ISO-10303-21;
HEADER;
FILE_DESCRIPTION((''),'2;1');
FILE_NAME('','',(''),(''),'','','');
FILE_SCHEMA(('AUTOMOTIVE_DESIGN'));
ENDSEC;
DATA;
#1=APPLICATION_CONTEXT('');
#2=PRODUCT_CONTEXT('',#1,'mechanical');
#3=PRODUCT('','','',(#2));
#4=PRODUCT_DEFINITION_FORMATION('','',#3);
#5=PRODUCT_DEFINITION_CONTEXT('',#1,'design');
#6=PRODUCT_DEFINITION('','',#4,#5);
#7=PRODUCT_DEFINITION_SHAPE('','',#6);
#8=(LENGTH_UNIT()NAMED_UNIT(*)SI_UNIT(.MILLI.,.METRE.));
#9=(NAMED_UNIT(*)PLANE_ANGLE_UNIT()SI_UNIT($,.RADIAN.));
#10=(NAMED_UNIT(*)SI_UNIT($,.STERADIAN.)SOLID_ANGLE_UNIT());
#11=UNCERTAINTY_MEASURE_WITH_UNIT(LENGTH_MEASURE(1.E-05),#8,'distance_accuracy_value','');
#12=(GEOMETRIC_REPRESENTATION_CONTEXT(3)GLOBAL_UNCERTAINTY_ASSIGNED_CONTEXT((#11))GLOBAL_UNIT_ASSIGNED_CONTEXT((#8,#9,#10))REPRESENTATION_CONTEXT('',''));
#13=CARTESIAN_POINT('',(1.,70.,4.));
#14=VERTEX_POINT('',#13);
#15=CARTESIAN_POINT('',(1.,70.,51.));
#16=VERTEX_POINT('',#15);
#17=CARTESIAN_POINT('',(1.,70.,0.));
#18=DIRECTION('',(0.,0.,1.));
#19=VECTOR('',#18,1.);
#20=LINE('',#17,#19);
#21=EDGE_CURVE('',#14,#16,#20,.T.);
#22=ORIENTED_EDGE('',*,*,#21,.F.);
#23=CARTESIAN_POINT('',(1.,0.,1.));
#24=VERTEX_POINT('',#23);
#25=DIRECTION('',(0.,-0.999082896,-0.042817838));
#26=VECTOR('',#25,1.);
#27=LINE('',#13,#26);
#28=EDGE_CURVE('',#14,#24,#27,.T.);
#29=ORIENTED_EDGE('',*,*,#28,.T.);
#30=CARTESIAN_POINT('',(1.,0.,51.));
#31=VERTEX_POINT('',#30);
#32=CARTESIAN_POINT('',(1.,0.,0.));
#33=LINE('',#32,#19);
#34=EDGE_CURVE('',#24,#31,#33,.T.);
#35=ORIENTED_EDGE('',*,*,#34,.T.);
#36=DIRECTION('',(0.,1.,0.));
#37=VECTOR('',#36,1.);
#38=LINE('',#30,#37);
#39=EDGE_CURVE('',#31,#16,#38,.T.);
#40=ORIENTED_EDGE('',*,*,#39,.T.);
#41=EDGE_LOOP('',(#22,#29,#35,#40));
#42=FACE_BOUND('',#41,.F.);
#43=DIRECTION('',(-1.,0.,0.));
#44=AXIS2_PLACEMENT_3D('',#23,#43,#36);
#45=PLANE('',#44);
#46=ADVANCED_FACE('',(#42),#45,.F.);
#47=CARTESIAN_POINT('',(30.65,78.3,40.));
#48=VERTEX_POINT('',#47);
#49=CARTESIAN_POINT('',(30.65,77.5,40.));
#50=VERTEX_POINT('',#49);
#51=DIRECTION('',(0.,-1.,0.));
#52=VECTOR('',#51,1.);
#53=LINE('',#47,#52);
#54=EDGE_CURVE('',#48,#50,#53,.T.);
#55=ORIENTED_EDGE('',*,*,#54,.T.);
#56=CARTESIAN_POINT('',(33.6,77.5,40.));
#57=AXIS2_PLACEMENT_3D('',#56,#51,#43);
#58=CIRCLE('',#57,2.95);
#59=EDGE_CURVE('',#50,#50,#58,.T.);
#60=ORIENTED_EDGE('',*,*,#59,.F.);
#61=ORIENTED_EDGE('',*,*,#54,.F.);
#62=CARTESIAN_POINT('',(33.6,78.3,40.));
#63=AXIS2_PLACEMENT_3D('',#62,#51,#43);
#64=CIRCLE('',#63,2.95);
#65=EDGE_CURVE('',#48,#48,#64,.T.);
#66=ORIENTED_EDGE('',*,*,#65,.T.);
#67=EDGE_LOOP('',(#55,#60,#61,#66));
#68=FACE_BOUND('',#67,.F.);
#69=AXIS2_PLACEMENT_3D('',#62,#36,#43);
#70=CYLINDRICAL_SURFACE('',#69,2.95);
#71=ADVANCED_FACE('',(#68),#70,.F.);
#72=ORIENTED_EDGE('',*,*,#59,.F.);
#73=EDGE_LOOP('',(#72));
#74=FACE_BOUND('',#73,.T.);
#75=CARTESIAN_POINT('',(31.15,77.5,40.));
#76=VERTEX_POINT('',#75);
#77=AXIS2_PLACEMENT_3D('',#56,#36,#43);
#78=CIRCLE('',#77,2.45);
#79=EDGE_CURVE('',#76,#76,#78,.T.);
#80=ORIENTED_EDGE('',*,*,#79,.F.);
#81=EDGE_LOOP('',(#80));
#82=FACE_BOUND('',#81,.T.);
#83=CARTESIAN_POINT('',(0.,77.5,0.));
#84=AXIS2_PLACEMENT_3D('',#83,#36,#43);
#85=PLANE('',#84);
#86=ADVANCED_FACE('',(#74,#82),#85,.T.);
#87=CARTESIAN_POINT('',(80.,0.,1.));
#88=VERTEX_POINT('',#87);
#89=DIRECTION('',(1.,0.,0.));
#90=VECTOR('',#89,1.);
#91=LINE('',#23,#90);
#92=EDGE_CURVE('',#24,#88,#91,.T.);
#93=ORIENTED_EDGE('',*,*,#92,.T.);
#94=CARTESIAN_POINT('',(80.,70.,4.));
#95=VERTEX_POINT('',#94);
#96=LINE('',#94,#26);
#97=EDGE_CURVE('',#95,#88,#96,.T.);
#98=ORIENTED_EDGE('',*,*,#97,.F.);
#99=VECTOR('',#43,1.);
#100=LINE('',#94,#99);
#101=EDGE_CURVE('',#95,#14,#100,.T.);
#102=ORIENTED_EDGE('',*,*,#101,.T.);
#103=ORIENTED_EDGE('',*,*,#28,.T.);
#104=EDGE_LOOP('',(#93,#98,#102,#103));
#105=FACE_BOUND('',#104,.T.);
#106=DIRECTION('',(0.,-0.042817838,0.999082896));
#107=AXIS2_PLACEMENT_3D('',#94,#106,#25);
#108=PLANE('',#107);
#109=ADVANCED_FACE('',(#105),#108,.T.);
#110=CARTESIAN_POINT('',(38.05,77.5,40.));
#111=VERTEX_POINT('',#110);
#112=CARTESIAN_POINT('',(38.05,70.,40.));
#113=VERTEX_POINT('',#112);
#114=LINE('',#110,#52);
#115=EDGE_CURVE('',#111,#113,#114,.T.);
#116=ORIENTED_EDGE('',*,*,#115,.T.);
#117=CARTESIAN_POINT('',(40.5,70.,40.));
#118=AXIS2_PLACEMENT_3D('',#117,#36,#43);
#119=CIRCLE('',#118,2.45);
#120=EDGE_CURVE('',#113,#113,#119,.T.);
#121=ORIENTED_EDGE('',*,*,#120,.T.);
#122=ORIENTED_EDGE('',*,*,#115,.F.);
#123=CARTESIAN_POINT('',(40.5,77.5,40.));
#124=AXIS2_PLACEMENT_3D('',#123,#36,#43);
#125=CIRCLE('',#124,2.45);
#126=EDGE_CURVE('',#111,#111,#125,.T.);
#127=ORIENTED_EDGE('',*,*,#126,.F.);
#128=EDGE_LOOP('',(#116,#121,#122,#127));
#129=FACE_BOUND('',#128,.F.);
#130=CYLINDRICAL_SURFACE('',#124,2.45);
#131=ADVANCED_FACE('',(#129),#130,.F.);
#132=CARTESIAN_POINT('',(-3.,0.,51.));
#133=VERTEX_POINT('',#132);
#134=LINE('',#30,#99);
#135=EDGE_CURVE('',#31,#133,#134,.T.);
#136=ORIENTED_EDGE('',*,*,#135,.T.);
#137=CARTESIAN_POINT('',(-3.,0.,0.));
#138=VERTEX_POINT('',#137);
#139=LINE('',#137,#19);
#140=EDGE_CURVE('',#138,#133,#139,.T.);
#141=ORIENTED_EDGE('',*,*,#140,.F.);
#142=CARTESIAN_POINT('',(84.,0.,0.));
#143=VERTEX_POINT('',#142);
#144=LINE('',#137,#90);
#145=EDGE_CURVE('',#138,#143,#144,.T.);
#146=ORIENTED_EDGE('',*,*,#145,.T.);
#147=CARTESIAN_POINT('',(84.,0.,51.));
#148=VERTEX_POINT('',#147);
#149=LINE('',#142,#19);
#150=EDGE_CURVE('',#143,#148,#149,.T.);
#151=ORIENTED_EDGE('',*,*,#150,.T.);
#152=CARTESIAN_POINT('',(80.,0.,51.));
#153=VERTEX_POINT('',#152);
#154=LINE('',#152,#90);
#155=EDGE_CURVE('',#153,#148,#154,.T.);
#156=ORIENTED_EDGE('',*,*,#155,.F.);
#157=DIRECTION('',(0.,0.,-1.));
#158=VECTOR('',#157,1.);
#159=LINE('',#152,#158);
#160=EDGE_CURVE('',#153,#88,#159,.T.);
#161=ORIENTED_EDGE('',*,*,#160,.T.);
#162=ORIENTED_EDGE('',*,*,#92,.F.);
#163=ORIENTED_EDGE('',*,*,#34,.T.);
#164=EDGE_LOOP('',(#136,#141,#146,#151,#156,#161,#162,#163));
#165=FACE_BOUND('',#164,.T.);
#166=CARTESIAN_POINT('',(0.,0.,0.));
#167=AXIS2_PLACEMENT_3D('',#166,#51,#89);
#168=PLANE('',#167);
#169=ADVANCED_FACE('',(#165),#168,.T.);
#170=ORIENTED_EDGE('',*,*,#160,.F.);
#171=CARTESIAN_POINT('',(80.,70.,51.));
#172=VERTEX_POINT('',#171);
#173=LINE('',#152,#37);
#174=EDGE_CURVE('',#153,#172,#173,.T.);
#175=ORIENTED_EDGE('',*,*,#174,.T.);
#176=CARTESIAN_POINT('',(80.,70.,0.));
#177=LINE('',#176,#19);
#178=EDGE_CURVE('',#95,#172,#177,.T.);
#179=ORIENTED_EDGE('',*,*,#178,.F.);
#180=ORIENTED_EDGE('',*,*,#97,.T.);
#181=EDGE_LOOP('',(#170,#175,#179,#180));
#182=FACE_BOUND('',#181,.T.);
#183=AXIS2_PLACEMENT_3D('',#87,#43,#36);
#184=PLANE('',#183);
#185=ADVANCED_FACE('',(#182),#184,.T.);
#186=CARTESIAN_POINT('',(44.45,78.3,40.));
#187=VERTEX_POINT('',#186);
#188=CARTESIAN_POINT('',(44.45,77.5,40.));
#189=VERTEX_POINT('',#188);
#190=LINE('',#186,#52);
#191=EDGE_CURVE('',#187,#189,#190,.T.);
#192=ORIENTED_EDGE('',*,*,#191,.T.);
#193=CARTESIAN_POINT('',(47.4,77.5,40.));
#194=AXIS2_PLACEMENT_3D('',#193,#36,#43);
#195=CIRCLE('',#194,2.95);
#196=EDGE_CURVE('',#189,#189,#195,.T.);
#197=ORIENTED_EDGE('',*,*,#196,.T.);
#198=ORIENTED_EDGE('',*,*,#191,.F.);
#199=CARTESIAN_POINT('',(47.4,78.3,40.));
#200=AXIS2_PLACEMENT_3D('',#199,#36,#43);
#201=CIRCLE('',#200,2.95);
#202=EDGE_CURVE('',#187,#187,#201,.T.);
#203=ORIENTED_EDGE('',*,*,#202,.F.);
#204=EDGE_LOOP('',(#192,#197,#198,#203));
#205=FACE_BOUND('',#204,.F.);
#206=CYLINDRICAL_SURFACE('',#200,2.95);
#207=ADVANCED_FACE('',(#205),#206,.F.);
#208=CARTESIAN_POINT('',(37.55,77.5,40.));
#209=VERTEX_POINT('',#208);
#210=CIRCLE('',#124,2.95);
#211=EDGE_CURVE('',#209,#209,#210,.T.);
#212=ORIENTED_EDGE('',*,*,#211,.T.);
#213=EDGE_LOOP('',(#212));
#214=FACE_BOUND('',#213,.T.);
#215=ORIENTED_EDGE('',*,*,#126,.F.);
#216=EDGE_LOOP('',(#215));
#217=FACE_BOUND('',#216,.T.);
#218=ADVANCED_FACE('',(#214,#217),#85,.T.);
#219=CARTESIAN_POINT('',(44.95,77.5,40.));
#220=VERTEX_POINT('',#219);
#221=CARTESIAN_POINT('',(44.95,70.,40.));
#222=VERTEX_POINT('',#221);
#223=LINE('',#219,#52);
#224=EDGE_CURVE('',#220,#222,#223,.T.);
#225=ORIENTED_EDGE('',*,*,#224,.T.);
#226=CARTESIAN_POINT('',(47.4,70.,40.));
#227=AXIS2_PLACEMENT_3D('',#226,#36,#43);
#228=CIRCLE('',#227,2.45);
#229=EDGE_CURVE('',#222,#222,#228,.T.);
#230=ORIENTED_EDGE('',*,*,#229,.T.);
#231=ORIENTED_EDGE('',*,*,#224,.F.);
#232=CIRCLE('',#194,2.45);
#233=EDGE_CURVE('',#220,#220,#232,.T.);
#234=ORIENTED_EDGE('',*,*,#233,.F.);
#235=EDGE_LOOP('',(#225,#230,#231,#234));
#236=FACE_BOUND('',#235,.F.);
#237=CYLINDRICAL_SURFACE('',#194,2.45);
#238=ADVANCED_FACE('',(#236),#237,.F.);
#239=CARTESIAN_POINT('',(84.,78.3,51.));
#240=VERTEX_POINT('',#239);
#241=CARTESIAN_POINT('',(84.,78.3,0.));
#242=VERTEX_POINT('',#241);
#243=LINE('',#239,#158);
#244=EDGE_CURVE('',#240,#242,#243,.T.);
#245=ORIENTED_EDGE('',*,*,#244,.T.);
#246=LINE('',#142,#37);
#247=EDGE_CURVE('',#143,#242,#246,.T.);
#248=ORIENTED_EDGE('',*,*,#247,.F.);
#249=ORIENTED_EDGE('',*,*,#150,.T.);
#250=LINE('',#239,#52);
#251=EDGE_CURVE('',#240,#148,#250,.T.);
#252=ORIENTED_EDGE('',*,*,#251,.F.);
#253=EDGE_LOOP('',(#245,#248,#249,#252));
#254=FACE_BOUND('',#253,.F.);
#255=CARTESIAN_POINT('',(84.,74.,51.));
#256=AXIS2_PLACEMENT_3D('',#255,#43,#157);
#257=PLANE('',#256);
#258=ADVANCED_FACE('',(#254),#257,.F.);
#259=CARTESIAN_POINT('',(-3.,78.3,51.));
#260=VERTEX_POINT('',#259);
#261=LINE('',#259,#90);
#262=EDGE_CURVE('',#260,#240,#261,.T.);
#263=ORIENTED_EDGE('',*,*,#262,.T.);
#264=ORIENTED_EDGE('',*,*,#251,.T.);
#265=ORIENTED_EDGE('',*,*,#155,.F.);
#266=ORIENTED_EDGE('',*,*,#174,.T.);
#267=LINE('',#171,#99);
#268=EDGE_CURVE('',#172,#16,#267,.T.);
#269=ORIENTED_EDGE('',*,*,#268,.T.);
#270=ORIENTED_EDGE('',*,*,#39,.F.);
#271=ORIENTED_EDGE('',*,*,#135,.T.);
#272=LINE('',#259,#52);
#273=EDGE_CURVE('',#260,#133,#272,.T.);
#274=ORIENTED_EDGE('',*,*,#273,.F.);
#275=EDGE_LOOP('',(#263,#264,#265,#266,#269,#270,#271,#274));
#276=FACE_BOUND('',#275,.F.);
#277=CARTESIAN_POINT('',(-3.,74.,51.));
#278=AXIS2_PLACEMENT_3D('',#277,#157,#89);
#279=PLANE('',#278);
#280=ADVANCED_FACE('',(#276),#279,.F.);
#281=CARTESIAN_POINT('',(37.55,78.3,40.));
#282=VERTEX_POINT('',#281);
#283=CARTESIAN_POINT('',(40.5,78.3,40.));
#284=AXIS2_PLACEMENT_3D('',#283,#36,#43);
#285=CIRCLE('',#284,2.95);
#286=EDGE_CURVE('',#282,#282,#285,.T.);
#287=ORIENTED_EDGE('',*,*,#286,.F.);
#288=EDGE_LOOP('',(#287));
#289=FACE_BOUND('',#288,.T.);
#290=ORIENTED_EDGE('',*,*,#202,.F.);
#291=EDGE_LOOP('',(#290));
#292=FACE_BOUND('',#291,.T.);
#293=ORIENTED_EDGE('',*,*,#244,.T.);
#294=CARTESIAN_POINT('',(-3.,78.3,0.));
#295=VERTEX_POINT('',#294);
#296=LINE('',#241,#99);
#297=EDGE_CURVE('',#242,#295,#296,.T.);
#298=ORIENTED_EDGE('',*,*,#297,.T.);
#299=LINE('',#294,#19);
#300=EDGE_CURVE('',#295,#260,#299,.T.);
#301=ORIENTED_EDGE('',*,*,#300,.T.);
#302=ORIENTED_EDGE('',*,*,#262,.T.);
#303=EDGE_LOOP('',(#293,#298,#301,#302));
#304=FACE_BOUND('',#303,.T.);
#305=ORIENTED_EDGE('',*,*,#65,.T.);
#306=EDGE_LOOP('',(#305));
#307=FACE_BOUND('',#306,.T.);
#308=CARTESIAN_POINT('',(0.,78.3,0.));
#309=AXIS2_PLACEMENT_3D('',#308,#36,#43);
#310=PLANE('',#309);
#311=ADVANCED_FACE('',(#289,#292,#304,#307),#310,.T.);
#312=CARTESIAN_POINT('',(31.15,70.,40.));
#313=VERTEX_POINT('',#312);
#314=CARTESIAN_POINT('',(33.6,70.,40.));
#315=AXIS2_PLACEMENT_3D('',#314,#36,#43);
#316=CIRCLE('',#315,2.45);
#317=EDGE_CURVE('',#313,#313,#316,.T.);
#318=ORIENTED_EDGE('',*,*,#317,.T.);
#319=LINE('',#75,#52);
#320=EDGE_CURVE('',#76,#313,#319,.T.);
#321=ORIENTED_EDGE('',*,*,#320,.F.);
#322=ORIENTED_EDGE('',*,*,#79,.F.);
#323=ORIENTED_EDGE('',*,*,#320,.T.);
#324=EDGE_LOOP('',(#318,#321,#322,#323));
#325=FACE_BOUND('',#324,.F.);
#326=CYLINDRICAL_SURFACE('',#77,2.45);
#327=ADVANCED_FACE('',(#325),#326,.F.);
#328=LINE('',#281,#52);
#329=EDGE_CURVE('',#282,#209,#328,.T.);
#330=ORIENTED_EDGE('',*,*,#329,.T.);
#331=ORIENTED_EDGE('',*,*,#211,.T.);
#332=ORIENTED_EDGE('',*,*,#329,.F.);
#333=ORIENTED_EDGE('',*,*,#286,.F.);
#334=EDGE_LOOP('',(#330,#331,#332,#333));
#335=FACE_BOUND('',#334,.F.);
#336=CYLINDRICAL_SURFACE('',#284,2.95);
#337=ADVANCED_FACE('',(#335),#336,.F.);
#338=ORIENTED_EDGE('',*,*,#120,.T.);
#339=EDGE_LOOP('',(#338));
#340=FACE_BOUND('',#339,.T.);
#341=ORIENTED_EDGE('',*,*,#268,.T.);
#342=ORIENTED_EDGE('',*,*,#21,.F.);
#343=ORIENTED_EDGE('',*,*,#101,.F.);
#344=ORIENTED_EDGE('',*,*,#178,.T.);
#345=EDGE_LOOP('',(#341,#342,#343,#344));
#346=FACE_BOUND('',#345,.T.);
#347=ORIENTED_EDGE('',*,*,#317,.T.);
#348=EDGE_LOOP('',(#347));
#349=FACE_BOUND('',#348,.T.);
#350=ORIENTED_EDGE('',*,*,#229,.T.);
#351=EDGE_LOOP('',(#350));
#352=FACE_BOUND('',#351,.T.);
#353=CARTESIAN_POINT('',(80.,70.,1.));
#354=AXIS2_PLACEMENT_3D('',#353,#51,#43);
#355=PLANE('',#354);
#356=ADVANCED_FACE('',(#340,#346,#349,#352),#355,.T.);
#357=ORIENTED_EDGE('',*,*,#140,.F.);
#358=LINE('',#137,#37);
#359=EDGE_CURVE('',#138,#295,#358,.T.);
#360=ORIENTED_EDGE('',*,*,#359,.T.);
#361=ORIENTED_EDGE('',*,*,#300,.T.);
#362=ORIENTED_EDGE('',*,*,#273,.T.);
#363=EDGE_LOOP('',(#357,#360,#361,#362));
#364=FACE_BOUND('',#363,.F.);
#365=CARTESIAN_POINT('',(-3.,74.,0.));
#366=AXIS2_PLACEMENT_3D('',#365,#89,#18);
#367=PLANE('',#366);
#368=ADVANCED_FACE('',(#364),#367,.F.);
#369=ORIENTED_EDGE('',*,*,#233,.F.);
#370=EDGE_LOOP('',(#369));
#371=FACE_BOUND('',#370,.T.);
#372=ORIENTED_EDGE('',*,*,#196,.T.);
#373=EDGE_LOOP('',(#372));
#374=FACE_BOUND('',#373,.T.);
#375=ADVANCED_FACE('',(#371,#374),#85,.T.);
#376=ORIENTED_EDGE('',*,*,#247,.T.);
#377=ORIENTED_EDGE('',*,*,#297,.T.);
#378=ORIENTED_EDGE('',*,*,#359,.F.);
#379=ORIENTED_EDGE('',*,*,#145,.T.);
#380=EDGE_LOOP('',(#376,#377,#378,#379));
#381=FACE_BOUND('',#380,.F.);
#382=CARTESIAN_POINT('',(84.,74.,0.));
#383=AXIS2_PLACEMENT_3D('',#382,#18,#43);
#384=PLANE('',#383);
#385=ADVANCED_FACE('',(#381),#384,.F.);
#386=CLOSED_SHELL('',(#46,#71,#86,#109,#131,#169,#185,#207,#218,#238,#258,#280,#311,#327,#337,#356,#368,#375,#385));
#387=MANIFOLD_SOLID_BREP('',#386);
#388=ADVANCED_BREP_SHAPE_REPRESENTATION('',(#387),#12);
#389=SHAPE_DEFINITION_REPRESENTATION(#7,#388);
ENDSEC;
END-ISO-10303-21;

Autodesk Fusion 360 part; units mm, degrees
sketch "Sketch1" plane through (0, 0, 0) normal (0, 0, 1) x (1, 0, 0)
  line L0 (0, 0) -> (81, 0)
  line L1 (81, 0) -> (81, 71)
  line L2 (81, 71) -> (0, 71)
  line L3 (0, 71) -> (0, 0)
  dimension "d1" = 81
  dimension "d2" = 71
extrude "Extrude1" add sketch "Sketch1" along normal blind 1
sketch "Sketch2" plane through (0, 0, 0) normal (1, 0, 0) x (0, 1, 0)
sketch "Sketch3" plane through (0, 0, 1) normal (0, 0, 1) x (-1, 0, 0)
  line L0 (0, -71) -> (0, 0)
  line L1 (0, 0) -> (-81, 0)
  line L2 (-81, 0) -> (-81, -71)
  line L3 (-81, -71) -> (0, -71)
  line L4 (0, -71) -> (-1, -71)
  line L5 (-1, -71) -> (-1, 0)
  line L6 (-1, 0) -> (0, 0)
  line L7 (0, 0) -> (0, -71)
  line L8 (-81, -71) -> (-80, -71)
  line L9 (-80, -71) -> (-80, 0)
  line L10 (-80, 0) -> (-81, 0)
  line L11 (-81, 0) -> (-81, -71)
  line L12 (-1, -71) -> (-80, -71)
  line L13 (-80, -71) -> (-80, -70)
  line L14 (-80, -70) -> (-1, -70)
  line L15 (-1, -70) -> (-1, -71)
  dimension "d5" = 1
  dimension "d6" = 1
  dimension "d7" = 1
extrude "Extrude2" add sketch "Sketch3" along normal blind 50 contours L3 L5 L9 L12 L13 L14 L15
sketch "Sketch4" plane through (0, 0, 1) normal (0, 0, 1) x (-1, 0, 0)
  line L0 (-80, -71) -> (-80, -70)
  line L1 (-80, -70) -> (-1, -70)
  line L2 (-1, -70) -> (-1, -71)
  line L3 (-1, -71) -> (0, -71)
  line L4 (0, -71) -> (0, 0)
  line L5 (0, 0) -> (-81, 0)
  line L6 (-81, 0) -> (-81, -71)
  line L7 (-81, -71) -> (-80, -71)
  line L8 (0, 0) -> (-1, 0)
  line L9 (-1, 0) -> (-1, -71)
  line L10 (-1, -71) -> (0, -71)
  line L11 (0, -71) -> (0, 0)
  dimension "d10" = 1
  dimension "d11" = 71
extrude "Extrude3" add sketch "Sketch4" along normal blind 50 contours L2 L3 L4 L5 L8 L9 L10 L11
sketch "Sketch5" plane through (0, 0, 1) normal (0, 0, 1) x (-1, 0, 0)
  line L0 (-1, -70) -> (-1, 0)
  line L1 (-1, 0) -> (-81, 0)
  line L2 (-81, 0) -> (-81, -71)
  line L3 (-81, -71) -> (-80, -71)
  line L4 (-80, -71) -> (-80, -70)
  line L5 (-80, -70) -> (-1, -70)
  line L6 (-81, 0) -> (-80, 0)
  line L7 (-80, 0) -> (-80, -71)
  line L8 (-80, -71) -> (-81, -71)
  line L9 (-81, -71) -> (-81, 0)
  dimension "d14" = 71
extrude "Extrude4" add sketch "Sketch5" along normal blind 50 contours L1 L2 L3 L4 L6 L7 L8 L9
sketch "Sketch6" plane through (0, 70, 0) normal (0, -1, 0) x (1, 0, 0)
  line L0 (1, 1) -> (80, 1)
  line L1 (80, 1) -> (80, 51)
  line L2 (80, 51) -> (1, 51)
  line L3 (1, 51) -> (1, 1)
  line L4 (80, 1) -> (80, 4)
  line L5 (1, 4) -> (1, 1)
  dimension "d17" = 79
  dimension "d18" = 3
sketch "Sketch7" plane through (0, 70, 0) normal (0, -1, 0) x (1, 0, 0)
extrude "Extrude5" cut 1 faces at (27.3333, 46.6667, 1) along direction (0, 0, -1) blind 1
sketch "Sketch8" plane through (0, 0, 0) normal (0, 1, 0) x (1, 0, 0)
sketch "Sketch9" plane through (1, 0, 0) normal (1, 0, 0) x (0, 1, 0)
  line L0 (70, 0) -> (70, 51)
  line L1 (70, 51) -> (0, 51)
  line L2 (0, 51) -> (0, 0)
  line L3 (0, 0) -> (70, 0)
  line L4 (0, 0) -> (70, 0)
  line L5 (70, 0) -> (70, 1)
  line L6 (70, 1) -> (0, 1)
  line L7 (0, 1) -> (0, 0)
  dimension "d21" = 70
  dimension "d22" = 1
extrude "Extrude6" add sketch "Sketch9" along normal blind 79 contours L0 L2 L3 L4 L5 L6 L7
sketch "Sketch10" plane through (80, 0, 0) normal (-1, 0, 0) x (0, -1, 0)
  line L0 (-70, 1) -> (0, 1)
  line L1 (0, 1) -> (0, 51)
  line L2 (0, 51) -> (-70, 51)
  line L3 (-70, 51) -> (-70, 1)
  line L4 (-70, 1) -> (-70, 4)
  line L5 (-70, 4) -> (0, 1)
  line L6 (-70, 1) -> (-70, 4)
extrude "Extrude7" add sketch "Sketch10" along normal blind 79 contours L0 L3 L4 L5 L6
sketch "Sketch11" plane through (0, 0, 0) normal (0, 0, 1) x (1, 0, 0)
  line L0 (0, 0) -> (-3, 0)
  line L1 (-3, 0) -> (-3, 74)
  line L2 (-3, 74) -> (0, 74)
  line L3 (0, 74) -> (0, 0)
  dimension "d27" = 3
  dimension "d28" = 74
extrude "Extrude8" add sketch "Sketch11" along normal blind 51
sketch "Sketch12" plane through (0, 0, 0) normal (1, 0, 0) x (0, 1, 0)
  line L0 (71, 51) -> (71, 0)
  line L1 (71, 0) -> (74, 0)
  line L2 (74, 0) -> (74, 51)
  line L3 (74, 51) -> (71, 51)
  line L4 (74, 51) -> (71, 51)
  line L5 (71, 51) -> (71, 0)
  line L6 (71, 0) -> (74, 0)
  line L7 (74, 0) -> (74, 51)
extrude "Extrude9" add sketch "Sketch12" along normal blind 84
sketch "Sketch13" plane through (0, 71, 0) normal (0, -1, 0) x (1, 0, 0)
  line L0 (81, 51) -> (81, 0)
  line L1 (81, 0) -> (84, 0)
  line L2 (84, 0) -> (84, 51)
  line L3 (84, 51) -> (81, 51)
  line L4 (81, 51) -> (84, 51)
  line L5 (84, 51) -> (84, 0)
  line L6 (84, 0) -> (81, 0)
  line L7 (81, 0) -> (81, 51)
extrude "Extrude10" add sketch "Sketch13" along normal blind 71
sketch "Sketch14" plane through (0, 74, 0) normal (0, 1, 0) x (-1, 0, 0)
  line L0 (-84, 0) -> (3, 0)
  line L1 (3, 0) -> (3, 51)
  line L2 (3, 51) -> (-84, 51)
  line L3 (-84, 51) -> (-84, 0)
extrude "Extrude11" add sketch "Sketch14" along normal blind 4.3
sketch "Sketch15" plane through (0, 78.3, 0) normal (0, 1, 0) x (-1, 0, 0)
  line L0 (-84, 51) -> (-84, 0)
  line L1 (-84, 0) -> (3, 0)
  line L2 (3, 0) -> (3, 51)
  line L3 (3, 51) -> (-84, 51)
  line L4 (-79, 40) -> (-84, 40)
  circle A0 centre (-40.5, 40) radius 2.95
  dimension "d37" = 43.5
  dimension "d38" = 5.9
extrude "Extrude12" cut sketch "Sketch15" against normal blind 0.8 contours A0
sketch "Sketch16" plane through (0, 77.5, 0) normal (0, 1, 0) x (-1, 0, 0)
  circle A0 centre (-40.5, 40) radius 2.95
  circle A1 centre (-40.5, 40) radius 2.45
  dimension "d41" = 4.9
extrude "Extrude13" cut sketch "Sketch16" against normal blind 10 contours A1
sketch "Sketch17" plane through (0, 78.3, 0) normal (0, 1, 0) x (-1, 0, 0)
  circle A0 centre (-40.5, 40) radius 2.95
  line L0 (-84, 51) -> (-84, 0)
  line L1 (-84, 0) -> (3, 0)
  line L2 (3, 0) -> (3, 51)
  line L3 (3, 51) -> (-84, 51)
  line L4 (-40.5, 42.95) -> (-40.5, 40)
  line L5 (-40.5, 40) -> (-37.55, 40)
  line L6 (-37.55, 40) -> (-36.55, 40)
  line L7 (-36.55, 40) -> (-33.6, 40)
  circle A1 centre (-33.6, 40) radius 2.95
  dimension "d44" = 2.95
  dimension "d45" = 1
  dimension "d46" = 2.95
  dimension "d47" = 5.9
extrude "Extrude14" cut sketch "Sketch17" against normal blind 0.8 contours A1
sketch "Sketch18" plane through (0, 77.5, 0) normal (0, 1, 0) x (-1, 0, 0)
  circle A0 centre (-33.6, 40) radius 2.95
  circle A1 centre (-33.6, 40) radius 2.45
  dimension "d50" = 4.9
extrude "Extrude15" cut sketch "Sketch18" against normal blind 10 contours A1
sketch "Sketch19" plane through (0, 78.3, 0) normal (0, 1, 0) x (-1, 0, 0)
  circle A0 centre (-33.6, 40) radius 2.95
  circle A1 centre (-40.5, 40) radius 2.95
  line L0 (-84, 51) -> (-84, 0)
  line L1 (-84, 0) -> (3, 0)
  line L2 (3, 0) -> (3, 51)
  line L3 (3, 51) -> (-84, 51)
  line L4 (-40.5, 40) -> (-43.45, 40)
  line L5 (-43.45, 40) -> (-44.45, 40)
  line L6 (-44.45, 40) -> (-47.4, 40)
  circle A2 centre (-47.4, 40) radius 2.95
  dimension "d53" = 2.95
  dimension "d54" = 1
  dimension "d55" = 2.95
  dimension "d57" = 5.9
extrude "Extrude16" cut sketch "Sketch19" against normal blind 0.8 contours A2
sketch "Sketch20" plane through (0, 77.5, 0) normal (0, 1, 0) x (-1, 0, 0)
  circle A0 centre (-47.4, 40) radius 2.95
  circle A1 centre (-47.4, 40) radius 2.45
  dimension "d60" = 4.9
extrude "Extrude17" cut sketch "Sketch20" against normal blind 10 contours A1
sketch "Sketch21" plane through (0, 78.3, 0) normal (0, 1, 0) x (-1, 0, 0)
  circle A0 centre (-47.4, 40) radius 2.95
  circle A1 centre (-33.6, 40) radius 2.95
  circle A2 centre (-40.5, 40) radius 2.95
  line L0 (-84, 51) -> (-84, 0)
  line L1 (-84, 0) -> (3, 0)
  line L2 (3, 0) -> (3, 51)
  line L3 (3, 51) -> (-84, 51)
equation "d37 = ( 87 / 2 ) * 1 mm"
equation "d44 = ( 5.9 / 2 ) * 1 mm"
equation "d46 = ( 5.9 / 2 ) * 1 mm"
equation "d53 = ( 5.9 / 2 ) * 1 mm"
equation "d55 = ( 5.9 / 2 ) * 1 mm"
